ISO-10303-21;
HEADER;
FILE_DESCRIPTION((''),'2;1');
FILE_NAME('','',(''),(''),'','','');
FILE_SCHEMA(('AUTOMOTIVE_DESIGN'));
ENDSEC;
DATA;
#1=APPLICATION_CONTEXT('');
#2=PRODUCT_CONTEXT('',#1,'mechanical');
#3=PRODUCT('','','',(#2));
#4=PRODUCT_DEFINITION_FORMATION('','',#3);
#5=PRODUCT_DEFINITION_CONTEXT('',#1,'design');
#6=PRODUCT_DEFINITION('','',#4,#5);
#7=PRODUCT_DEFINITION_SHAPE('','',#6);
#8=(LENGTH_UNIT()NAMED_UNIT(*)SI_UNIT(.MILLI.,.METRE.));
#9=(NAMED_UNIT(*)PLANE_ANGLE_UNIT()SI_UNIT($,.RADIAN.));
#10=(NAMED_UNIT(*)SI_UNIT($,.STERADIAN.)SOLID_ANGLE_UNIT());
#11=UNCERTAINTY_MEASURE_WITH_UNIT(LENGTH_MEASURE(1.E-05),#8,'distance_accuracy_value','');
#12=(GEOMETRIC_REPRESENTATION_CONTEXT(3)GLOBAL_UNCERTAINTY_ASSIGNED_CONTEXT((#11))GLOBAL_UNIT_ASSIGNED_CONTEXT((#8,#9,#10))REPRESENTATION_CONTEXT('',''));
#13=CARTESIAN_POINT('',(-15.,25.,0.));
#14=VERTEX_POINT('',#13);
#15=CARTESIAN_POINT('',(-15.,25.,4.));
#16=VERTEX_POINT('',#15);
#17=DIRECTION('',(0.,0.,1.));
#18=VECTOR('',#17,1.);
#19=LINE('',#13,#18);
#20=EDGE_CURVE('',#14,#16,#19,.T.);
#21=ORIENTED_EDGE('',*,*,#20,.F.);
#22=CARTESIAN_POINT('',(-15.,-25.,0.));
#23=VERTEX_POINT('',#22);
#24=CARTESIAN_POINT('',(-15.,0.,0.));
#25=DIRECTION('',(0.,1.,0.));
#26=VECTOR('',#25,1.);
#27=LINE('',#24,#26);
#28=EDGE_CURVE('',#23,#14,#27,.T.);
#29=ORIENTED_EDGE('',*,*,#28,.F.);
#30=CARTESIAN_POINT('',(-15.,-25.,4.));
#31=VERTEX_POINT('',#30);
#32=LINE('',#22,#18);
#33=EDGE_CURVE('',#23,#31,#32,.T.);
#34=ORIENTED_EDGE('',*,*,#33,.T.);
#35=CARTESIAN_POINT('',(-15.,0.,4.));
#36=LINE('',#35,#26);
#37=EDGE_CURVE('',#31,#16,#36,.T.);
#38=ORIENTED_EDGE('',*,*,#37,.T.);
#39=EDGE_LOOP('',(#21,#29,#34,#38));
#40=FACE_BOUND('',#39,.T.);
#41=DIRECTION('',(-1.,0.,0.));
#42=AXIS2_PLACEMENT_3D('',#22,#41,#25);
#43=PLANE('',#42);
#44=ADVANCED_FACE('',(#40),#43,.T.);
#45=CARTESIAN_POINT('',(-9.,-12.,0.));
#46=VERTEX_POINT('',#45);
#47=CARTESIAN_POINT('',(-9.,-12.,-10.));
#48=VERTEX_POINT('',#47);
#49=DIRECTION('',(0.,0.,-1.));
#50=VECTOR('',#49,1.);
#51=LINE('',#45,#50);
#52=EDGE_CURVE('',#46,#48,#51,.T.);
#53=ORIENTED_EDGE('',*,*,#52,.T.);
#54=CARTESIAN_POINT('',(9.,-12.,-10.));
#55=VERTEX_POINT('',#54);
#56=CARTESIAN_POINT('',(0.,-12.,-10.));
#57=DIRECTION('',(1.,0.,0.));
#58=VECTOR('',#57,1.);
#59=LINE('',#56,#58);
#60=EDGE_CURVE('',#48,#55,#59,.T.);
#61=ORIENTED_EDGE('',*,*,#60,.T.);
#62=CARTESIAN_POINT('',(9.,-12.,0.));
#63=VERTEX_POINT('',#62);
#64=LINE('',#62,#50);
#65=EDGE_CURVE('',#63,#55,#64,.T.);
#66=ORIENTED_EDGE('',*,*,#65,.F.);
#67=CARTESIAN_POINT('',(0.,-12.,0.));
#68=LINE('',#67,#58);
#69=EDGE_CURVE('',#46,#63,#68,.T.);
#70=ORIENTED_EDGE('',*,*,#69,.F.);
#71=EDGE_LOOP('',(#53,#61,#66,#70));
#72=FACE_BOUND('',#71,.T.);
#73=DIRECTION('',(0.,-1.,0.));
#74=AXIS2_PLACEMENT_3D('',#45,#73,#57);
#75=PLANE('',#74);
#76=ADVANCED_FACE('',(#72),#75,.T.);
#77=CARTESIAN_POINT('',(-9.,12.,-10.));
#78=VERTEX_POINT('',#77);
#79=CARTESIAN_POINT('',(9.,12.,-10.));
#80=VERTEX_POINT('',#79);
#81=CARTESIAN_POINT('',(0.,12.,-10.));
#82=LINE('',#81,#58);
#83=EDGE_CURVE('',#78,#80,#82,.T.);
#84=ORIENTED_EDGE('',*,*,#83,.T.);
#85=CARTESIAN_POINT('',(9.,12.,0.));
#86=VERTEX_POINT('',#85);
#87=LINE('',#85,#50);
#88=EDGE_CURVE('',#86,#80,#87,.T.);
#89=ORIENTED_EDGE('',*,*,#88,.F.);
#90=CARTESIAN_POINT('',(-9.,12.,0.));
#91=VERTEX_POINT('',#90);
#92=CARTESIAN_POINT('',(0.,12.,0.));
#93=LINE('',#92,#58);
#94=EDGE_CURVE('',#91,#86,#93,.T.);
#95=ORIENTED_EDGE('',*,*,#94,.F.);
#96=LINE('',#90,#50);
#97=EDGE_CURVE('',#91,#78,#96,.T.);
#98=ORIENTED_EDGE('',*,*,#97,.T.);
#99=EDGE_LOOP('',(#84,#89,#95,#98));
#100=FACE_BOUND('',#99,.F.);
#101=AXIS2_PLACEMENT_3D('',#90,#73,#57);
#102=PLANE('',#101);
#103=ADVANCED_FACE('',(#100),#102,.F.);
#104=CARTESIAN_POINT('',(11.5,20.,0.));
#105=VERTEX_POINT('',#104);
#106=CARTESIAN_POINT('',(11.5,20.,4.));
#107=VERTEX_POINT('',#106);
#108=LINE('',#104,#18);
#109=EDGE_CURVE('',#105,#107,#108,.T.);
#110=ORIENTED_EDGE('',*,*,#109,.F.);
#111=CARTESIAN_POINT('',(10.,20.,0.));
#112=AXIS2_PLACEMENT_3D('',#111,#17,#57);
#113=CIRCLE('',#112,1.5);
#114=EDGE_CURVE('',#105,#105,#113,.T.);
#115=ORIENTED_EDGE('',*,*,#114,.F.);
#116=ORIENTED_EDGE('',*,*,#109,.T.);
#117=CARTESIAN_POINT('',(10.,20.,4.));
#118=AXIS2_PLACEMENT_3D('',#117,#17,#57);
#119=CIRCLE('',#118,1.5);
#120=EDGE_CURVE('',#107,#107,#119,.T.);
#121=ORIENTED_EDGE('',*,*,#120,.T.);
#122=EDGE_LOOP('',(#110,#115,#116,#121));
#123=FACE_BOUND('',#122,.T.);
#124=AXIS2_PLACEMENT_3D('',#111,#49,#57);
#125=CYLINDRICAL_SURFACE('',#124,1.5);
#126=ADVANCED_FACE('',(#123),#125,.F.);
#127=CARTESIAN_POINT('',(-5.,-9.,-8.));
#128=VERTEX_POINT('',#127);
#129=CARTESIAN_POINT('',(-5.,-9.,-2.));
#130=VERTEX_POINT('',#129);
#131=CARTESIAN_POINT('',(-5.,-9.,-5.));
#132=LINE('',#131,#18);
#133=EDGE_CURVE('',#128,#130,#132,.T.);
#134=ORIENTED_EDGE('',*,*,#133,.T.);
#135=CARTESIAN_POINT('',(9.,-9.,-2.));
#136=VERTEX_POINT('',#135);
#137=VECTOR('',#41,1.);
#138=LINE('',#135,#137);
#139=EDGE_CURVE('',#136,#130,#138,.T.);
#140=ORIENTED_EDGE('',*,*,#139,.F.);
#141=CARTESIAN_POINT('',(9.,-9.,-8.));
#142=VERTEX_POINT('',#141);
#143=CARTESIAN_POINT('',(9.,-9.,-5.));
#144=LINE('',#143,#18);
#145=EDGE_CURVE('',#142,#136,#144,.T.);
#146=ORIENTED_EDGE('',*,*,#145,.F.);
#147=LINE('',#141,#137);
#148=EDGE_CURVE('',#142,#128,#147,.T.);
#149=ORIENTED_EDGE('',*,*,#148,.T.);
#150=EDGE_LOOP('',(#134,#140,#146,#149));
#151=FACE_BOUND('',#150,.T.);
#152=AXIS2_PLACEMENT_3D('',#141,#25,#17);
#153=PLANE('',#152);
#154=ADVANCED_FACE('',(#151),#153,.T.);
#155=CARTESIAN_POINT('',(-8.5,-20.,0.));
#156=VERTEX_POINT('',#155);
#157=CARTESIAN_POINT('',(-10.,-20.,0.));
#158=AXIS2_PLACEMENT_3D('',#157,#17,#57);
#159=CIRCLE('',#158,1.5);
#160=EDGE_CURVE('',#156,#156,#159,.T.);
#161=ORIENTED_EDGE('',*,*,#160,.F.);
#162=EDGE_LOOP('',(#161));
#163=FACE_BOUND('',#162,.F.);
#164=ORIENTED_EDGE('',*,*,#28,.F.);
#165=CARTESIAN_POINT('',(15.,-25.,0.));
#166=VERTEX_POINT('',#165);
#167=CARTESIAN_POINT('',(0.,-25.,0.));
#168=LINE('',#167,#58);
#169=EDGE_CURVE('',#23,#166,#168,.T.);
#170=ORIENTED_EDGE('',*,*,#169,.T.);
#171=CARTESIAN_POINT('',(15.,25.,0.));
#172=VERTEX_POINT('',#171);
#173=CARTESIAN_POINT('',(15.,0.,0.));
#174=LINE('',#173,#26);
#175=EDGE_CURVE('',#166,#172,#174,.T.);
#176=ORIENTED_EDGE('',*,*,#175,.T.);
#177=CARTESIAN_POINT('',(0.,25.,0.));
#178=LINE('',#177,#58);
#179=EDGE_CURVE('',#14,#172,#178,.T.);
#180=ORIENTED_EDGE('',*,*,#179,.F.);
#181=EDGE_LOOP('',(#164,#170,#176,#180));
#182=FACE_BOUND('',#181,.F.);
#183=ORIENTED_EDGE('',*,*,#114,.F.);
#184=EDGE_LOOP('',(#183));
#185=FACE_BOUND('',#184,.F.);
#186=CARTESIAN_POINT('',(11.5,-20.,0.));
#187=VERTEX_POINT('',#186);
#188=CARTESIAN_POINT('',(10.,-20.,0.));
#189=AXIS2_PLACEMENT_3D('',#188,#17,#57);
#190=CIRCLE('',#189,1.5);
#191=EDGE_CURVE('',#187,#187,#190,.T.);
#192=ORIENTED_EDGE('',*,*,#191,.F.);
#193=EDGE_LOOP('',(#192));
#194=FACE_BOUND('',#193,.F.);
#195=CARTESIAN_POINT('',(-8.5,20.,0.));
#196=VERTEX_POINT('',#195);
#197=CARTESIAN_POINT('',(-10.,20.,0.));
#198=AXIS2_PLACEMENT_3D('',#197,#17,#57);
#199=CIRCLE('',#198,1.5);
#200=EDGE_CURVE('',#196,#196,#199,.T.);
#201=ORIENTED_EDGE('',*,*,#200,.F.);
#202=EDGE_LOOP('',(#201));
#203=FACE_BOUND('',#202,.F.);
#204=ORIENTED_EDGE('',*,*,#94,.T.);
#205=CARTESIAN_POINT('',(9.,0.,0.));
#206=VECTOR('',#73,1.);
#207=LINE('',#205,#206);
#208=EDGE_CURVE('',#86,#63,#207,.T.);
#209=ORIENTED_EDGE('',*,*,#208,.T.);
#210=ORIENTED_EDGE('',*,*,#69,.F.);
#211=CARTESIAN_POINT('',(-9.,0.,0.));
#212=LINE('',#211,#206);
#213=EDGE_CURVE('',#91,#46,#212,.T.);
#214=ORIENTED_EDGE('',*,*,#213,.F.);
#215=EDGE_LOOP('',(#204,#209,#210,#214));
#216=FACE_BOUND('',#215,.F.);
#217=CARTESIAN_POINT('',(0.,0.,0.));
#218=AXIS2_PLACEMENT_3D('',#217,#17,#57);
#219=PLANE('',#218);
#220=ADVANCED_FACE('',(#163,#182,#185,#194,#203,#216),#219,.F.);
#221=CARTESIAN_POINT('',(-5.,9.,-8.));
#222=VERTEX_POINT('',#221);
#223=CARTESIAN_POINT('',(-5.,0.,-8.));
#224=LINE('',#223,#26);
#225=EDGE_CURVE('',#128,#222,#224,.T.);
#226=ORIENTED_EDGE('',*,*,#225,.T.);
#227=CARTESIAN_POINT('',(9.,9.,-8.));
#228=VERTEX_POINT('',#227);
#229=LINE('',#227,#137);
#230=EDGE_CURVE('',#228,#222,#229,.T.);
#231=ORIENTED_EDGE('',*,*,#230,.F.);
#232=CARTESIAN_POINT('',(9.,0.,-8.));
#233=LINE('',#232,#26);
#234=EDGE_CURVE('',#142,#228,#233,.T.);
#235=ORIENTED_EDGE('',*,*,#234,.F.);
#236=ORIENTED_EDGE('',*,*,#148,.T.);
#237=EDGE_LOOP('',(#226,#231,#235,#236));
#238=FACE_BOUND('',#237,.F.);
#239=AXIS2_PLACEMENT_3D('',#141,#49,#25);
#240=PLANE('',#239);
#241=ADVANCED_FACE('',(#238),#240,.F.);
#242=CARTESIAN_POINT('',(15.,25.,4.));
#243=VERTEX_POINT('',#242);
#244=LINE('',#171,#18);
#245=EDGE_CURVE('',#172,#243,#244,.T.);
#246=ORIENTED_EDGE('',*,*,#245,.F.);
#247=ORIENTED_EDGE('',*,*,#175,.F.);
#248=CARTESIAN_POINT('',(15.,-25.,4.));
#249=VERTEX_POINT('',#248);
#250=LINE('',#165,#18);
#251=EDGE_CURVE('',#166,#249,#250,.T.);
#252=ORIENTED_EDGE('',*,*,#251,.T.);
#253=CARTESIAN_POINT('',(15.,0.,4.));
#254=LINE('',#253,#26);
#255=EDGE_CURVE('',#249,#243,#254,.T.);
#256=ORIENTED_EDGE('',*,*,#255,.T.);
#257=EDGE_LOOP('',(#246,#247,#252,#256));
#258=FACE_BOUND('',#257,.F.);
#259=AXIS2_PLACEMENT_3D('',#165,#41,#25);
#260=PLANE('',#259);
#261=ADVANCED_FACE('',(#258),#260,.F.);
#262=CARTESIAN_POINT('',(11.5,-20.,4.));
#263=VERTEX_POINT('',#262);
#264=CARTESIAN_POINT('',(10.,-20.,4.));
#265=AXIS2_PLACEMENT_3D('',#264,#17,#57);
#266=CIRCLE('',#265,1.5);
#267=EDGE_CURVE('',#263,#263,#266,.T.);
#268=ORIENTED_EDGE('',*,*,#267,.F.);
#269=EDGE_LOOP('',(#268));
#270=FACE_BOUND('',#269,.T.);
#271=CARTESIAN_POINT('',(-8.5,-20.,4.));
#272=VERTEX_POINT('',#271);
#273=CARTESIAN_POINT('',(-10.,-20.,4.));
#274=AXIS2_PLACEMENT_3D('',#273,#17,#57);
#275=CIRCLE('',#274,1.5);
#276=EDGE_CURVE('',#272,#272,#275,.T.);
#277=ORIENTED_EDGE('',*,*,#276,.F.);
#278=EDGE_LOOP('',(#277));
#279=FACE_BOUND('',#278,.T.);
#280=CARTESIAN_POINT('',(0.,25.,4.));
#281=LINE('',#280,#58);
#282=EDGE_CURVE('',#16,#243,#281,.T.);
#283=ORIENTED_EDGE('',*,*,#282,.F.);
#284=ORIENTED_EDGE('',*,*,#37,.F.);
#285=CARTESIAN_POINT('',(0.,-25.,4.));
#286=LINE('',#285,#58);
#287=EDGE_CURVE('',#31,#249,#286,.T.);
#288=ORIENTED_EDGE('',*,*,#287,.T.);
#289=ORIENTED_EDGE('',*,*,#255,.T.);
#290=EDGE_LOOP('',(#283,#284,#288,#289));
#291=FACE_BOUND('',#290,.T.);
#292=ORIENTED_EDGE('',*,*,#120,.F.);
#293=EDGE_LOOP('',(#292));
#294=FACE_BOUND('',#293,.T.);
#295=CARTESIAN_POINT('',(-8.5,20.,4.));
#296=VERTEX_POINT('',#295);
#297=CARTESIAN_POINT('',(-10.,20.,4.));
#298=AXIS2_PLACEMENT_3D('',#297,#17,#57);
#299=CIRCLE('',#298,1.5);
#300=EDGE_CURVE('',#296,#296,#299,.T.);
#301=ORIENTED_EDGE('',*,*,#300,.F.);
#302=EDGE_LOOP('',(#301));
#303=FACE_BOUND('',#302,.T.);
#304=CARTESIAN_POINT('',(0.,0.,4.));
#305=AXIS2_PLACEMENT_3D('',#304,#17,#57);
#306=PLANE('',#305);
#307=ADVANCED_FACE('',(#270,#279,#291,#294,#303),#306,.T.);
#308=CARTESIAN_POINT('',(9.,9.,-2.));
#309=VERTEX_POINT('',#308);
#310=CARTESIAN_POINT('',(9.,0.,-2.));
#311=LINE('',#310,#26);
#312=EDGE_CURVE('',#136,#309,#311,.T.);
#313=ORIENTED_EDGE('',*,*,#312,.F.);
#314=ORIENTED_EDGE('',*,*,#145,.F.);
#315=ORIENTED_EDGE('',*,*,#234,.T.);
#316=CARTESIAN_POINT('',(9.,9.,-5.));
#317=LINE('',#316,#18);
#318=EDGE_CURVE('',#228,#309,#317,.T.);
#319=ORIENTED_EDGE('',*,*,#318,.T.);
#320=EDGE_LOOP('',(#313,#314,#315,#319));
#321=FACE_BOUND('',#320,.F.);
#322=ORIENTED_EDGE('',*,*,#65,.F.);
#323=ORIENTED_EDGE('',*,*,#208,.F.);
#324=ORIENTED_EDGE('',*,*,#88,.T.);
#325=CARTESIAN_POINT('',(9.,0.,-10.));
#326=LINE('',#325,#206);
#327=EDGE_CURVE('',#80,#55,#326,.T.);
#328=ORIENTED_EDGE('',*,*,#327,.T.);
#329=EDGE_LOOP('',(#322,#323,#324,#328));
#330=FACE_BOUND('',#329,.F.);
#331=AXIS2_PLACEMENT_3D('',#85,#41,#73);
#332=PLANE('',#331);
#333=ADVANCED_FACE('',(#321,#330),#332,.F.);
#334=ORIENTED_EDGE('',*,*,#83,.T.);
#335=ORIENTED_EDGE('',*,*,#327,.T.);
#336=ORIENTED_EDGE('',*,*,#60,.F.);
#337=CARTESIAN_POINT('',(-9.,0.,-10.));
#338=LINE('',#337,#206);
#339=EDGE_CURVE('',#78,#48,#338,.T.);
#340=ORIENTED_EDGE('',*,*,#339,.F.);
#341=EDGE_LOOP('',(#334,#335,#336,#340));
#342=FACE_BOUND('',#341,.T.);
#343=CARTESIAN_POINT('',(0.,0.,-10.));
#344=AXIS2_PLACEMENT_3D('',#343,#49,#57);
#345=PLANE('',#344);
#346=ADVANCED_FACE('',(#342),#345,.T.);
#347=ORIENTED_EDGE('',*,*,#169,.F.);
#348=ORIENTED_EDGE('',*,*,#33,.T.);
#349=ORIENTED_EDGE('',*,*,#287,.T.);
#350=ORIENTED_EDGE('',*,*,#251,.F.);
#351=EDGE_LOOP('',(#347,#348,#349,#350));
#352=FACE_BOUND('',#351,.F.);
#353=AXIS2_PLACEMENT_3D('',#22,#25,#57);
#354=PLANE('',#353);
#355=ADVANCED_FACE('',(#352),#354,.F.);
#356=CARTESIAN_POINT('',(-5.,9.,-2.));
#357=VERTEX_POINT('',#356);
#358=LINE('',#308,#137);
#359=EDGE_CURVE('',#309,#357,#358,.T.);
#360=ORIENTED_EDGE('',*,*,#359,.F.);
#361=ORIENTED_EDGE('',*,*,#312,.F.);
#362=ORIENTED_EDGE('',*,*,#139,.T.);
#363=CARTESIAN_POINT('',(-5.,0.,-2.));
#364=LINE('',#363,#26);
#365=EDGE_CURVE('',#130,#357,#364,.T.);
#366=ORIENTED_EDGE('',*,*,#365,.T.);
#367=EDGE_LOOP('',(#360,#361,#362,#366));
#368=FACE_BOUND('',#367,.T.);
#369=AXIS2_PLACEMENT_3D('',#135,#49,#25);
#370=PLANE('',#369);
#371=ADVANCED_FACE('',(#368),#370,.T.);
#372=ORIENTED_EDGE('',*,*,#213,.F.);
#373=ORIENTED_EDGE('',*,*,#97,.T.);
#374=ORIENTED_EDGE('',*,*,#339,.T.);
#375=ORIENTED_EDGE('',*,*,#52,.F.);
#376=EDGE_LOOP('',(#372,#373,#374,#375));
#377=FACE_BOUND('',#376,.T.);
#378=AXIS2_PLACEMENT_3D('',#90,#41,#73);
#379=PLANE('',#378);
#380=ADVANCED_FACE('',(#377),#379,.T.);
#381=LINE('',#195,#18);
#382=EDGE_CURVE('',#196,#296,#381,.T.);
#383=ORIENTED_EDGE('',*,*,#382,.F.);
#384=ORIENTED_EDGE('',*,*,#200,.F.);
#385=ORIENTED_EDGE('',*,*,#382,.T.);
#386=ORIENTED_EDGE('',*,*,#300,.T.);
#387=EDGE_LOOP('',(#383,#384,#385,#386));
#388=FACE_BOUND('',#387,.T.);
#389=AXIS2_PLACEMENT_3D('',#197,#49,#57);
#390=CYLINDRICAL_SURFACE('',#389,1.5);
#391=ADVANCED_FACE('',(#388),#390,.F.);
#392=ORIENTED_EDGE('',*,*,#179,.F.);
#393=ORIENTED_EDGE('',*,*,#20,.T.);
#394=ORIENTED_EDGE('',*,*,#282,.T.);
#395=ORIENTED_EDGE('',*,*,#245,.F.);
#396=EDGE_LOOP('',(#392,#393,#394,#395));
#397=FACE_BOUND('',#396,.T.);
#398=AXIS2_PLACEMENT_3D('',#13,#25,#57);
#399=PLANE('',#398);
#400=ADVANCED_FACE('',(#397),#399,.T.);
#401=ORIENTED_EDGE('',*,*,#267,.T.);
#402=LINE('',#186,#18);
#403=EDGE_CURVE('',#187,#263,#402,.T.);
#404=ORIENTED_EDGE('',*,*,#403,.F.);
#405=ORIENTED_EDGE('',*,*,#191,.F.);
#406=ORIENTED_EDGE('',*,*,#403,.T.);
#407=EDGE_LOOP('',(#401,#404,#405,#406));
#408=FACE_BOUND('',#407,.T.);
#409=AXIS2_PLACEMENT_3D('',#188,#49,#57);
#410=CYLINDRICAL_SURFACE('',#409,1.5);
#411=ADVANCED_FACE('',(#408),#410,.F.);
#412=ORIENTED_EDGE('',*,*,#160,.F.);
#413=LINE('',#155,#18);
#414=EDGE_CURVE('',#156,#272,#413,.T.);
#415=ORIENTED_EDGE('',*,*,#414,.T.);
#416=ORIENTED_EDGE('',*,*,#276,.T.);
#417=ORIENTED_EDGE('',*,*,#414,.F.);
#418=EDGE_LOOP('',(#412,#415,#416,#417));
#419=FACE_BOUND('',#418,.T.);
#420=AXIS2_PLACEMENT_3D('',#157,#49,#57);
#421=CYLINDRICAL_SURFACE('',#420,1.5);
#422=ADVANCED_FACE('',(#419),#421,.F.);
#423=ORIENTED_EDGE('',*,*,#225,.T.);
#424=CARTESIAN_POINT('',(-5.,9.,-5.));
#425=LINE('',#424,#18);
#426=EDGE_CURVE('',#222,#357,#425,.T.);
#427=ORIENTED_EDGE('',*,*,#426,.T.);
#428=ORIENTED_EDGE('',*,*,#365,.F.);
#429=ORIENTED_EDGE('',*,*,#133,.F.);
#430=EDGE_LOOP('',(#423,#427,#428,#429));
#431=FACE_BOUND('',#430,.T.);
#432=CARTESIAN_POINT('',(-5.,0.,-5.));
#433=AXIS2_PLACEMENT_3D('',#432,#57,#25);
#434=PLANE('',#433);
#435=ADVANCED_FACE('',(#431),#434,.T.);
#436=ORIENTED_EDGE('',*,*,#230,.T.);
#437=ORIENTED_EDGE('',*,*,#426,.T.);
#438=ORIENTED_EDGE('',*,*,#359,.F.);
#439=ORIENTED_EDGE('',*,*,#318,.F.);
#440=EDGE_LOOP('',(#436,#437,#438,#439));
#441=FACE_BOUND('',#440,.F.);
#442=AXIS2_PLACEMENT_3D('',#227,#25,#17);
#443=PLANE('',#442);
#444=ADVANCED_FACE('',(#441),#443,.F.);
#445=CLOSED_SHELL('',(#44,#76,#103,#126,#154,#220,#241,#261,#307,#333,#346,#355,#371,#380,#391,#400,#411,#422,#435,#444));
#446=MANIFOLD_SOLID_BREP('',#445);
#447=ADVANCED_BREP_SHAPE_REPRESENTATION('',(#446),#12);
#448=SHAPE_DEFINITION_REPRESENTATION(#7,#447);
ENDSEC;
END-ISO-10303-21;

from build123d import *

# Parameters (mm, degrees)
F0_W     = 30
F0_H     = 50
F0_R     = 1.5
F1_DEPTH = 4
F2_W     = 18
F2_H     = 24
F3_DEPTH = 10
F4_W     = 18
F4_H     = 6
F5_DEPTH = 14


with BuildPart() as f1:
    # F0 (on Top) → F1 (new body)
    with BuildSketch(Plane.XY):
        Rectangle(F0_W, F0_H)
        with Locations((-10, -20)):
            Circle(F0_R, mode=Mode.SUBTRACT)
        with Locations((10, -20)):
            Circle(F0_R, mode=Mode.SUBTRACT)
        with Locations((-10, 20)):
            Circle(F0_R, mode=Mode.SUBTRACT)
        with Locations((10, 20)):
            Circle(F0_R, mode=Mode.SUBTRACT)
    extrude(amount=F1_DEPTH)

    # F2 (on face) → F3 (join)
    with BuildSketch(Plane(origin=(0, 0, 0), x_dir=(1, 0, 0), z_dir=(0, 0, -1))):
        Rectangle(F2_W, F2_H)
    extrude(amount=F3_DEPTH)

    # F4 (on face) → F5 (cut)
    with BuildSketch(Plane.YZ.offset(9)):
        with Locations((0, -5)):
            Rectangle(F4_W, F4_H)
    extrude(amount=-F5_DEPTH, mode=Mode.SUBTRACT)


solid = f1.part
